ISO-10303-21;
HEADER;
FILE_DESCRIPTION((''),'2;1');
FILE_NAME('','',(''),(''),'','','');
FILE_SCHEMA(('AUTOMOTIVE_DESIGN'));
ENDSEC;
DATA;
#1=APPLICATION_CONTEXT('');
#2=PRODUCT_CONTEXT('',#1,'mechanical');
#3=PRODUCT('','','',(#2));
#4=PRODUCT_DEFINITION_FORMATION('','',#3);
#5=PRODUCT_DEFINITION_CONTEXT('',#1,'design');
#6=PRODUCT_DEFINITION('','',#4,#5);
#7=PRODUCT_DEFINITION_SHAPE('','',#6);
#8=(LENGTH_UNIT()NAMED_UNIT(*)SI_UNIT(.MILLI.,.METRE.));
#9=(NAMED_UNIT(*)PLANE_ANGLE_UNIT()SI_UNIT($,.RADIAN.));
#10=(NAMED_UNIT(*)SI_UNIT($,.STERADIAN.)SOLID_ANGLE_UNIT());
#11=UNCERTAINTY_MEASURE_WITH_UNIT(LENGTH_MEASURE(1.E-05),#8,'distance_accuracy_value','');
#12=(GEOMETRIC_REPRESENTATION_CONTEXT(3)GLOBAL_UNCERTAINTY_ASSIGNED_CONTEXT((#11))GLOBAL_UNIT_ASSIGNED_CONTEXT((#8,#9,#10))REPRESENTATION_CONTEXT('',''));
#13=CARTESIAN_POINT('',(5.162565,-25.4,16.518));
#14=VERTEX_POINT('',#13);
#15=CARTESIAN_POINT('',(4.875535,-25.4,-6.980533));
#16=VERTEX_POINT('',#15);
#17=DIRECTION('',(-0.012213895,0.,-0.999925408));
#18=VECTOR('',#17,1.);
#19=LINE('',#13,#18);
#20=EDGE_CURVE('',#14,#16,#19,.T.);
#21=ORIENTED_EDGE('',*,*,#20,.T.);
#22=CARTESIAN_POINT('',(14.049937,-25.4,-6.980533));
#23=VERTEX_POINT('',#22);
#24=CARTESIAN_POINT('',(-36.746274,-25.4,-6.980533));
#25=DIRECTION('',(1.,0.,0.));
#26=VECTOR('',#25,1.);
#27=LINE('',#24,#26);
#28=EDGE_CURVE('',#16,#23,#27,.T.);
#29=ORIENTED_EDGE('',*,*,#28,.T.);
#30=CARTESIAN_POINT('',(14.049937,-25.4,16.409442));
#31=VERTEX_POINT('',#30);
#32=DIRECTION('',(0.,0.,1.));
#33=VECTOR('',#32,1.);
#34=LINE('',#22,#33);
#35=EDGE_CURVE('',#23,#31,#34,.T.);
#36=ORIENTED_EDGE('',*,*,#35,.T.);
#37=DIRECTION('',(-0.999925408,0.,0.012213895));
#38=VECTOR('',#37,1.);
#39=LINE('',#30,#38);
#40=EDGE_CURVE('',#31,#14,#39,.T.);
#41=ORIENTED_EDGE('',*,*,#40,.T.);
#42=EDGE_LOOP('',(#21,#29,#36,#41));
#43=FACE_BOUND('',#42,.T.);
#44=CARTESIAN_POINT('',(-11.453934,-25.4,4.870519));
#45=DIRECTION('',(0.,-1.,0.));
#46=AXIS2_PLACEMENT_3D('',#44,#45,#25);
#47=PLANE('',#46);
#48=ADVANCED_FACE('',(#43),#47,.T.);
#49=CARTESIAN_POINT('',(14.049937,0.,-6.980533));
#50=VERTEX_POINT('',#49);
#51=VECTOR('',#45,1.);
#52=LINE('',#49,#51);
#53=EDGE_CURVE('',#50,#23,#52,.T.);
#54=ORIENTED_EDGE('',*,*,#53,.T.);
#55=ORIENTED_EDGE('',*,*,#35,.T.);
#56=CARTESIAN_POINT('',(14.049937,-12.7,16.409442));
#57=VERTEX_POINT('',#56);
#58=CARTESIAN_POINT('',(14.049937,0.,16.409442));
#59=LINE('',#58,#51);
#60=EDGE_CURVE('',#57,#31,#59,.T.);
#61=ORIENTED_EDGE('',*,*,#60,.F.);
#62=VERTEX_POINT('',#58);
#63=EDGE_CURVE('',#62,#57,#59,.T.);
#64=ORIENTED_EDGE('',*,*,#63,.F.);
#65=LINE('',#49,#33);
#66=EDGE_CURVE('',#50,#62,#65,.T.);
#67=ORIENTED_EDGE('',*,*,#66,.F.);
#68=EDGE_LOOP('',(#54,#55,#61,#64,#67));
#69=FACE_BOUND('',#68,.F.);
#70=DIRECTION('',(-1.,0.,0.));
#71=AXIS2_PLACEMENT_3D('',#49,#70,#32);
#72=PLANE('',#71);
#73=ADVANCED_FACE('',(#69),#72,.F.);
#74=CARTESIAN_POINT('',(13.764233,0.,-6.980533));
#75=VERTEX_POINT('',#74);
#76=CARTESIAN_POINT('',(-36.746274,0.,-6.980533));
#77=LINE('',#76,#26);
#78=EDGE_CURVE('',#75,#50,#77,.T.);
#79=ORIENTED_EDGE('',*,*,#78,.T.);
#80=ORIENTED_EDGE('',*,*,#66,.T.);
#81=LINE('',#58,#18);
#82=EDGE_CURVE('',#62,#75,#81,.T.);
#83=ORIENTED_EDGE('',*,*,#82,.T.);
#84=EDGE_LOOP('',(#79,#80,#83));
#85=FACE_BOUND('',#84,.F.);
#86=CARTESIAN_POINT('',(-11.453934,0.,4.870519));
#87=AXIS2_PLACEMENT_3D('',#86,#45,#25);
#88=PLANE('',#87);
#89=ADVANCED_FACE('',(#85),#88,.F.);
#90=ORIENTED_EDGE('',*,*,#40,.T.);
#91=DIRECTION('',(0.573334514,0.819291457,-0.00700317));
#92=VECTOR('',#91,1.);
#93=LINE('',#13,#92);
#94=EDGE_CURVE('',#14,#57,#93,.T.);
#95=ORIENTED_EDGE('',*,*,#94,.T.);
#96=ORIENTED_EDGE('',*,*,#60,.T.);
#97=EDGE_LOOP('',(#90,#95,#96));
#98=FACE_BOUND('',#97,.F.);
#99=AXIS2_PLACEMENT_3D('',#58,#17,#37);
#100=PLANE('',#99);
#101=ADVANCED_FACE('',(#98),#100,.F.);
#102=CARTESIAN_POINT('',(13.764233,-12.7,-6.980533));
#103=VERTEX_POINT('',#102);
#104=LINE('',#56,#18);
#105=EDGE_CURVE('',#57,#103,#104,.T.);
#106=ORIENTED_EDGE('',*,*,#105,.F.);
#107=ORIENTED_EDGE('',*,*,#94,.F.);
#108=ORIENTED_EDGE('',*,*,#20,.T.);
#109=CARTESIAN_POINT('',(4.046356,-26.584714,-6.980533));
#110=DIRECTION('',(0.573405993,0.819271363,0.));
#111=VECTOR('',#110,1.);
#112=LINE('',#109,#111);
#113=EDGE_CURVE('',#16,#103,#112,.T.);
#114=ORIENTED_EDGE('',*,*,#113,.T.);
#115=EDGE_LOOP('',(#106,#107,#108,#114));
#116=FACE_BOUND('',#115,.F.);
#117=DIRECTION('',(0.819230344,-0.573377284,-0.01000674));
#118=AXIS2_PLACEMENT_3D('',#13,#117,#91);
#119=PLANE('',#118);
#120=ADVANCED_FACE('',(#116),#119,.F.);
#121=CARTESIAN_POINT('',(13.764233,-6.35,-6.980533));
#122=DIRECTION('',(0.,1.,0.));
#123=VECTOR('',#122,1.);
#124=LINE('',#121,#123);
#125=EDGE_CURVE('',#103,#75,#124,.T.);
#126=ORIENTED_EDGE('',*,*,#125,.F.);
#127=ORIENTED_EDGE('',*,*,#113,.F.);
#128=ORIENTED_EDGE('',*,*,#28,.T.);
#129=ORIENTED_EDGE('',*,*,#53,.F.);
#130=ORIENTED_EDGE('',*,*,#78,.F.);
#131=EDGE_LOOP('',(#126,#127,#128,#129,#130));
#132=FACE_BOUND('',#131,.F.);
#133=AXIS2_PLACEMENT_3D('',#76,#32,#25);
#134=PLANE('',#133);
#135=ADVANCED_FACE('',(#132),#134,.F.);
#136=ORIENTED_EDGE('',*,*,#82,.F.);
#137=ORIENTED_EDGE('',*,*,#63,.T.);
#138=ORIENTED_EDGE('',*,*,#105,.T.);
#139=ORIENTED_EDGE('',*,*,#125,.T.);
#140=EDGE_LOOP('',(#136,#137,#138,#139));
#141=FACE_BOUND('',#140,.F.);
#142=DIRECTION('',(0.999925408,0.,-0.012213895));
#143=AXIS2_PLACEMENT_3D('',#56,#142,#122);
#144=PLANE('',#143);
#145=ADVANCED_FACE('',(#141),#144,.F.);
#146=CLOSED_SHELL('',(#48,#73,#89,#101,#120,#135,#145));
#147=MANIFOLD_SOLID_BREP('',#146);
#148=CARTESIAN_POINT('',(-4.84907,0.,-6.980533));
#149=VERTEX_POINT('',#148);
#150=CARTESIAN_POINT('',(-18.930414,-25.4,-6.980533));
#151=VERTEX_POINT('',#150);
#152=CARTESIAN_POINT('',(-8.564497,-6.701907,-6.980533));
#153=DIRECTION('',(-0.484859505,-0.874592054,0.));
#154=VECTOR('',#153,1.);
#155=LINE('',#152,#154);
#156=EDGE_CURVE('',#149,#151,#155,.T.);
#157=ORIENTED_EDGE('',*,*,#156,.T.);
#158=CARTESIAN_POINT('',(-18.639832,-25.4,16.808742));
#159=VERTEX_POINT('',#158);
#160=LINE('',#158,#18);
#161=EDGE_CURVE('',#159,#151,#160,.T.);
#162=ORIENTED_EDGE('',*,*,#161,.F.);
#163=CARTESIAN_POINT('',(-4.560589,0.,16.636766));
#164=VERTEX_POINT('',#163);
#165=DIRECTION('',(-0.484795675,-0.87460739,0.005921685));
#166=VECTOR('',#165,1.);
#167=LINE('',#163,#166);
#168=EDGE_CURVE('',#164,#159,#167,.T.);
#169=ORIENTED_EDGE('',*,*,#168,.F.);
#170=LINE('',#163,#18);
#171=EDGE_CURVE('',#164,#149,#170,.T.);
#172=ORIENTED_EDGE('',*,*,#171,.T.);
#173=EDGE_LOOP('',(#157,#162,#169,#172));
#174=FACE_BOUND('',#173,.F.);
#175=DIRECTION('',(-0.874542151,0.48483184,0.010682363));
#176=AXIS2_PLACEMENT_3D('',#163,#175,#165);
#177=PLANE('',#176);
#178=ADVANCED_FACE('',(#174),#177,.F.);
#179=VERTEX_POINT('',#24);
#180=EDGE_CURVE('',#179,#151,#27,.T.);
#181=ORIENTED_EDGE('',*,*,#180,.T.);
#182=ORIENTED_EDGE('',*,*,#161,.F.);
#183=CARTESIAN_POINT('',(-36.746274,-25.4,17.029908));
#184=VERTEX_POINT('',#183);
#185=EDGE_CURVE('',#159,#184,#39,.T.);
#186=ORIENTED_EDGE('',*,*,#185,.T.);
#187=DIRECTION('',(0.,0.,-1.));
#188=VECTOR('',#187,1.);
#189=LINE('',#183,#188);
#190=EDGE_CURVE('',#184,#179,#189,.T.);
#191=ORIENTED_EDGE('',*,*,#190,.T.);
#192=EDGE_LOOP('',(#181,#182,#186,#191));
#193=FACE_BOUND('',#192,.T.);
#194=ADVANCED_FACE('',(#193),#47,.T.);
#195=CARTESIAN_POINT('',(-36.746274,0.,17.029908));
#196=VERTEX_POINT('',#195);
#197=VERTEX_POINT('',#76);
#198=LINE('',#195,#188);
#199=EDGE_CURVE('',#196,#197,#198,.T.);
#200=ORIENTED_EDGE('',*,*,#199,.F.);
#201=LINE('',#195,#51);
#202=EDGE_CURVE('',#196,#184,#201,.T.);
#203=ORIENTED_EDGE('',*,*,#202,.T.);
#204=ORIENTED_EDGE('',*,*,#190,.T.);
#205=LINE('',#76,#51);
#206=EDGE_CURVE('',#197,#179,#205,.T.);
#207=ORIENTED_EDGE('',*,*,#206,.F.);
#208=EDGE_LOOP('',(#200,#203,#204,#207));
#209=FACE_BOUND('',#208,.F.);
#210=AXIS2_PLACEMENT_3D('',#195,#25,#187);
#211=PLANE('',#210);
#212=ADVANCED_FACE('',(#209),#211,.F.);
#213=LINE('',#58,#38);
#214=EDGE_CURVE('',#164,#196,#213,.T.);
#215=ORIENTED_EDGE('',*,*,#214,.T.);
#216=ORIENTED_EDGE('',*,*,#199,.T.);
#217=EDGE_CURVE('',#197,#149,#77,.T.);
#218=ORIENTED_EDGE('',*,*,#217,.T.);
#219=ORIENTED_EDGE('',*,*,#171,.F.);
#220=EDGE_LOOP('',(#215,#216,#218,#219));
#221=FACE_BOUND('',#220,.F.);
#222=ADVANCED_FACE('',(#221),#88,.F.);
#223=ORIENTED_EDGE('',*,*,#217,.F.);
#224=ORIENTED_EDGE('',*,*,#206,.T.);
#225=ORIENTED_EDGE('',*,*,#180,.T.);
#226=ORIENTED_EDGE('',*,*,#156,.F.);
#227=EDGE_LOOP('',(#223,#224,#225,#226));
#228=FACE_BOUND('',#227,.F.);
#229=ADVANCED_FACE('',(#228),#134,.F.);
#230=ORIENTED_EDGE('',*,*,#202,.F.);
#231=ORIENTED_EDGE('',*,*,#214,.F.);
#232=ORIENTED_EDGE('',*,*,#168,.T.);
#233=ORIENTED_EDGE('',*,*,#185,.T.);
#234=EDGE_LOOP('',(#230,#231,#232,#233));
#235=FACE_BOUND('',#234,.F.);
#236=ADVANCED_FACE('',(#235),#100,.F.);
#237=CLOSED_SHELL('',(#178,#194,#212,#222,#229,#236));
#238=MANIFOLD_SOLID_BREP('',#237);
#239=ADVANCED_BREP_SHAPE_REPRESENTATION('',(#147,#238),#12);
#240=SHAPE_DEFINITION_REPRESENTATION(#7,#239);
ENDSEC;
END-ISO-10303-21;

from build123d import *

# Parameters (mm, degrees)
F1_DEPTH = 25.4
F3_DEPTH = 25.4


with BuildPart() as f1:
    # F0 (on Front) → F1 (new body)
    with BuildSketch(Plane.XZ):
        Polygon((14.0499369874, 16.4094424249), (-36.7462737187, 17.0299082983), (-36.7462737187, -6.9805325929), (14.0499369874, -6.9805325929), align=None)
    extrude(amount=F1_DEPTH)

    # F2 (on face) → F3 (cut)
    with BuildSketch(Plane(origin=(0.202504218, 0, 16.5785861336), x_dir=(0.9999254076, 0, -0.0122138951), z_dir=(0.0122138951, 0, 0.9999254076))):
        Polygon((-4.7634486109, 0), (-18.8437420875, -25.4), (4.9604303204, -25.4), (13.8484657597, -12.7), (13.8484657597, 0), align=None)
    extrude(amount=-F3_DEPTH, mode=Mode.SUBTRACT)


solid = f1.part
